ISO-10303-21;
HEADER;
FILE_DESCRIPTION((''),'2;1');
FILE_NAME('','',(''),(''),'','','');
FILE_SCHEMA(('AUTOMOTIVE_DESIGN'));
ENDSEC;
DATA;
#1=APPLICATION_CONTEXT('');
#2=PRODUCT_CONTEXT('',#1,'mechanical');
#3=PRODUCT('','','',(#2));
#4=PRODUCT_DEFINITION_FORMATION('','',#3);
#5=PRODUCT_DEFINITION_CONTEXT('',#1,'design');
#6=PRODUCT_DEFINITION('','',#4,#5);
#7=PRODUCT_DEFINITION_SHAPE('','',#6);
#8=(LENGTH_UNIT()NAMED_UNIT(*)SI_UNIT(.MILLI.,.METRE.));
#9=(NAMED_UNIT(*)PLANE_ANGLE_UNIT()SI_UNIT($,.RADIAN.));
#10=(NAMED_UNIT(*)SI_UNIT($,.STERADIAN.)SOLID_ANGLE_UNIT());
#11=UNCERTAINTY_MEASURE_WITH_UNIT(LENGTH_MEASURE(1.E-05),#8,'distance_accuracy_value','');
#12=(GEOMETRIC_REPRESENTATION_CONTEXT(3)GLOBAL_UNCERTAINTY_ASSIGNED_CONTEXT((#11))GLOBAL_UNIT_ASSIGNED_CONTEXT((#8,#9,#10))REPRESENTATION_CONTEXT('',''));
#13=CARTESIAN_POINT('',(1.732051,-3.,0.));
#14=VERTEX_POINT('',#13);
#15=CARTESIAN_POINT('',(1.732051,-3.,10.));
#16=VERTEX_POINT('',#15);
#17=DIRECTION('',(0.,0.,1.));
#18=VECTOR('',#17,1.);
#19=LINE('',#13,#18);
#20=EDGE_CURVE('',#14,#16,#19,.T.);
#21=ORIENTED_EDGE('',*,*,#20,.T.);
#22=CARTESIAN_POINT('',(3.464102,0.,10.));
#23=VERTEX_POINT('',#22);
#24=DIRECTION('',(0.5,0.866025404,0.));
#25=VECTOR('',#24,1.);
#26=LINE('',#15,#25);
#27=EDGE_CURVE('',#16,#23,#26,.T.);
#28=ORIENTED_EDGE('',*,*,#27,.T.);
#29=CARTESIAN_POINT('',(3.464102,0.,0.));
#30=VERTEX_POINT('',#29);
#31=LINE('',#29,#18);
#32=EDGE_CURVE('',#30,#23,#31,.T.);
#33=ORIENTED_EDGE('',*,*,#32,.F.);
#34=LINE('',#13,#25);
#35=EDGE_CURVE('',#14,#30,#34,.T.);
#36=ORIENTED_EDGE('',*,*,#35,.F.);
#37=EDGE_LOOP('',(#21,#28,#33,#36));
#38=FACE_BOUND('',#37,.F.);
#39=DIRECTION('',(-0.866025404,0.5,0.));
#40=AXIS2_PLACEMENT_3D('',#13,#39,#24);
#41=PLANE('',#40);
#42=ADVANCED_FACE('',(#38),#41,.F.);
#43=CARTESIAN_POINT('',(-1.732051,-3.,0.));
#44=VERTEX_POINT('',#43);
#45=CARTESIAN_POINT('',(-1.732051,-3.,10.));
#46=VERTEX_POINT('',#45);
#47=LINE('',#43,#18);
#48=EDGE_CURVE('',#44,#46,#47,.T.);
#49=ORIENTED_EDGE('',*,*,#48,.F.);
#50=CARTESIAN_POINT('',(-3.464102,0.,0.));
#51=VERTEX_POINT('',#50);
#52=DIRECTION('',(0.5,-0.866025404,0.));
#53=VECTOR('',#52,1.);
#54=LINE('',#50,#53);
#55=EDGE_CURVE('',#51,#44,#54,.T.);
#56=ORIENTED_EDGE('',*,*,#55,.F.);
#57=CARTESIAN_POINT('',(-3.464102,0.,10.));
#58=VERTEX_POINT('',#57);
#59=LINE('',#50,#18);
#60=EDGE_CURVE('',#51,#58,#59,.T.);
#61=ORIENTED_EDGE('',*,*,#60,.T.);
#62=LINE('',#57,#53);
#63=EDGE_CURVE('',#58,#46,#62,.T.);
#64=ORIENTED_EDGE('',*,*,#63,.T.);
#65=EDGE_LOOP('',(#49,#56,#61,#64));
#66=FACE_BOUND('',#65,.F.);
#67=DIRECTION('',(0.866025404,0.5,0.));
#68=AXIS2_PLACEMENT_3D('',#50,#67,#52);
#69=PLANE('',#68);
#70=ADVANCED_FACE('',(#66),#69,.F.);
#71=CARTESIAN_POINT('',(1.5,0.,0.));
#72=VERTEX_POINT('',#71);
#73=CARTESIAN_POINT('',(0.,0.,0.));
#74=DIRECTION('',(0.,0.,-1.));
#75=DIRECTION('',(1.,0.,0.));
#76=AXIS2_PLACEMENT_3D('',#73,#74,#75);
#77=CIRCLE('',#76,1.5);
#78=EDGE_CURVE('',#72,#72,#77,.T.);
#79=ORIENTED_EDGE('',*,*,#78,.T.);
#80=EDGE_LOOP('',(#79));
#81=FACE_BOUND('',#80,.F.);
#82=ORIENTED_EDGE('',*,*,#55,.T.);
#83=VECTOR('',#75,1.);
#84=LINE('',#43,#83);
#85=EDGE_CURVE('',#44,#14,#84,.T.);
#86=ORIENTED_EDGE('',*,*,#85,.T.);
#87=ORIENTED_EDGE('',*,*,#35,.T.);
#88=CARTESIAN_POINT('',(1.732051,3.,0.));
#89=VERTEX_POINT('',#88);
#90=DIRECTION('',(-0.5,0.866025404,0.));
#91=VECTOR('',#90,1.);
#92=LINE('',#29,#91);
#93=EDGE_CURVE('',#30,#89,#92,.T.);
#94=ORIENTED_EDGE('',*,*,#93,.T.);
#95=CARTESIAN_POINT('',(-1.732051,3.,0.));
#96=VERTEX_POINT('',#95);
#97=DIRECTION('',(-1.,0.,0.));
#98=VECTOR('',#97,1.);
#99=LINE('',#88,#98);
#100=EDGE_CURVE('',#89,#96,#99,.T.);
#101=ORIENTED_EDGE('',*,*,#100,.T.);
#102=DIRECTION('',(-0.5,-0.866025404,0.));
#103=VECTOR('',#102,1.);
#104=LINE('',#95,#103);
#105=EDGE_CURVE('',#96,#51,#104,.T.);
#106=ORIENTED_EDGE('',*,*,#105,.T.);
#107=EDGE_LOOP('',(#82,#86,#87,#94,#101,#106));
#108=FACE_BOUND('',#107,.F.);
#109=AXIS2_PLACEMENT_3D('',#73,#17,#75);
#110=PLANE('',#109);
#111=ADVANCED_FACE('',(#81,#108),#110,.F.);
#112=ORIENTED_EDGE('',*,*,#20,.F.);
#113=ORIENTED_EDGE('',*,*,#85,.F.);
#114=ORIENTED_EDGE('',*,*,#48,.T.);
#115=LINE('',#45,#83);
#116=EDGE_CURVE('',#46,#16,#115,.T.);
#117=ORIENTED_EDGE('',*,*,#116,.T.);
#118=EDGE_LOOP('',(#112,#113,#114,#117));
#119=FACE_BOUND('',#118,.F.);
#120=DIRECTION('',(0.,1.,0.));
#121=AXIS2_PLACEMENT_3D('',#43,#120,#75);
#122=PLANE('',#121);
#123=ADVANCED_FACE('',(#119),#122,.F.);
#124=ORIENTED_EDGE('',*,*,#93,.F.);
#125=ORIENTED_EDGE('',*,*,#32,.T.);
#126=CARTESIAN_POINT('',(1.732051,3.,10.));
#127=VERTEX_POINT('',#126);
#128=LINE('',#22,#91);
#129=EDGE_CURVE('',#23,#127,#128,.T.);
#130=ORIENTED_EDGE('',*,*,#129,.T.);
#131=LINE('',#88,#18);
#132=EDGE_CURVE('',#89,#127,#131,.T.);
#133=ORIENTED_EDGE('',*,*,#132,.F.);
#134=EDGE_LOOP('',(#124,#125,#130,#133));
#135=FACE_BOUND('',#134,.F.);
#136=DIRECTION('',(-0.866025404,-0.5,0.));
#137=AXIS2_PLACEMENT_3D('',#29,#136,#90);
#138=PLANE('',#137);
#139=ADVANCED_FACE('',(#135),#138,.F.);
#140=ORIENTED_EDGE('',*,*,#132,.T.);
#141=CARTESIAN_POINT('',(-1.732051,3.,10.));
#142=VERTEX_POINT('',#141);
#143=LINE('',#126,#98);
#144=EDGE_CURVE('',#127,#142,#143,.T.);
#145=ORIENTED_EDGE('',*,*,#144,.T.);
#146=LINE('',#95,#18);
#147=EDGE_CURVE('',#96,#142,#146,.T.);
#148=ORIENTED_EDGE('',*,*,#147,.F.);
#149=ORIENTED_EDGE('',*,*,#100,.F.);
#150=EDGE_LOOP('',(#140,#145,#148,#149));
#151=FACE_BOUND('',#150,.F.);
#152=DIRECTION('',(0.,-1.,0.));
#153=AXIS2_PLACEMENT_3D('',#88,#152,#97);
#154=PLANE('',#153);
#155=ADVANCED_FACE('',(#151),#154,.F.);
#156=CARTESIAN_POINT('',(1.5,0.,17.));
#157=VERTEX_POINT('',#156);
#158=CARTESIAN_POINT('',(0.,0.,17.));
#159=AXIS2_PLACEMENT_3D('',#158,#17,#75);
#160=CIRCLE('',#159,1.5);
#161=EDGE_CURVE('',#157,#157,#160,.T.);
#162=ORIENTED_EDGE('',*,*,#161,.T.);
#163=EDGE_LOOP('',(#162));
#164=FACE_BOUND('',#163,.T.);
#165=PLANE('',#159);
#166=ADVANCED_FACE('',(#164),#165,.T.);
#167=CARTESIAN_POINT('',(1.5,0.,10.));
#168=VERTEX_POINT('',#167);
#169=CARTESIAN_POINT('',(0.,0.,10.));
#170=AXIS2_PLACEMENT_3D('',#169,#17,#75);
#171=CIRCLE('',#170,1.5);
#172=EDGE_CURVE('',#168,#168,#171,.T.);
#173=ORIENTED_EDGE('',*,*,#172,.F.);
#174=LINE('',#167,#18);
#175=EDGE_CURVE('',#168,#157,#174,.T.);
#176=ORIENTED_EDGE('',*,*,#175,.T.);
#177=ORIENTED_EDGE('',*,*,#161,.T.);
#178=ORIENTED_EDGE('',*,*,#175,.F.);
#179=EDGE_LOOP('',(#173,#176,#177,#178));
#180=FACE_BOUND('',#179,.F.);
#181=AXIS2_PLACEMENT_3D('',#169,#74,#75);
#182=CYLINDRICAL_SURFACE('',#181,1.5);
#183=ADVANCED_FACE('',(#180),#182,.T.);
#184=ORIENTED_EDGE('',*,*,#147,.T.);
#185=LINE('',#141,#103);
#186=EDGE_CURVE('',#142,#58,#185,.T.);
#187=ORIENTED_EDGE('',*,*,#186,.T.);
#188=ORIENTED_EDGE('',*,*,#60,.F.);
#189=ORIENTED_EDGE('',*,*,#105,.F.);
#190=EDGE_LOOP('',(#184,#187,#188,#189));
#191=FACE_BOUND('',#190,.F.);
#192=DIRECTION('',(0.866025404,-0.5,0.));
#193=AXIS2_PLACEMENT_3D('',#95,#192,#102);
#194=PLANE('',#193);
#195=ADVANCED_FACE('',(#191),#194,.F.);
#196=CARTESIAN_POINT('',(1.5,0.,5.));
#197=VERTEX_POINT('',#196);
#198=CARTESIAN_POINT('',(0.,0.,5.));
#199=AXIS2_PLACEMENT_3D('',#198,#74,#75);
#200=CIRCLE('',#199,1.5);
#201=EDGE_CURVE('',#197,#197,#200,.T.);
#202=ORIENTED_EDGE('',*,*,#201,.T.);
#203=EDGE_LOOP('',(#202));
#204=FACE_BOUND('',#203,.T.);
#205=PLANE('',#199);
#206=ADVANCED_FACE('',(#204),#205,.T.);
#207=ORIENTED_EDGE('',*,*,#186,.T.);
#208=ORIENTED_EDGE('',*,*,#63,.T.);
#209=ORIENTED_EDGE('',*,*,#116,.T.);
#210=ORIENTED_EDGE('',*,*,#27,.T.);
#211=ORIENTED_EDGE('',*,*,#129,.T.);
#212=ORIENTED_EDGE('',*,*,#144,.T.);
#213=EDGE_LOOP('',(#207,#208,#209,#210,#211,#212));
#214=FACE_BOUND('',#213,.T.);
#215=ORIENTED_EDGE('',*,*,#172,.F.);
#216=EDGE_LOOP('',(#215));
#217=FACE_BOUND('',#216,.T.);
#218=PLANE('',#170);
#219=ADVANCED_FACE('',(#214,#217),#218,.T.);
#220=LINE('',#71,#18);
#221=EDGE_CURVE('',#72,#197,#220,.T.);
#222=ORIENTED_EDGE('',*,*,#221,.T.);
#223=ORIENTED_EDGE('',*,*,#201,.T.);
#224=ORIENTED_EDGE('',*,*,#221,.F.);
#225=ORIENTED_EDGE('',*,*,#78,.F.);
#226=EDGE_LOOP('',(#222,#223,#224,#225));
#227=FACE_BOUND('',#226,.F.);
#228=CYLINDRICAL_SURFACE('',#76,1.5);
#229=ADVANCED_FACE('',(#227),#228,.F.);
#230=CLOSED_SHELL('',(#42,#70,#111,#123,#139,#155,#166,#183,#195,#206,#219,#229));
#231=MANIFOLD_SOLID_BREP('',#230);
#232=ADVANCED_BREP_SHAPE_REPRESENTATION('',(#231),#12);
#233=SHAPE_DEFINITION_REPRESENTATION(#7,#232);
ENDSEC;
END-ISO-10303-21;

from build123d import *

# Parameters (mm, degrees)
F1_DEPTH = 10
F2_R     = 1.5
F3_DEPTH = 7
F4_R     = 1.5
F5_DEPTH = 5


with BuildPart() as f1:
    # F0 (on Top) → F1 (new body)
    with BuildSketch(Plane.XY):
        Polygon((1.7320508076, 3), (-1.7320508076, 3), (-3.4641016151, 0), (-1.7320508076, -3), (1.7320508076, -3), (3.4641016151, 0), align=None)
    extrude(amount=F1_DEPTH)

    # F2 (on face) → F3 (join)
    with BuildSketch(Plane.XY.offset(10)):
        Circle(F2_R)
    extrude(amount=F3_DEPTH)

    # F4 (on face) → F5 (cut)
    with BuildSketch(Plane(origin=(0, 0, 0), x_dir=(1, 0, 0), z_dir=(0, 0, -1))):
        Circle(F4_R)
    extrude(amount=-F5_DEPTH, mode=Mode.SUBTRACT)


solid = f1.part
